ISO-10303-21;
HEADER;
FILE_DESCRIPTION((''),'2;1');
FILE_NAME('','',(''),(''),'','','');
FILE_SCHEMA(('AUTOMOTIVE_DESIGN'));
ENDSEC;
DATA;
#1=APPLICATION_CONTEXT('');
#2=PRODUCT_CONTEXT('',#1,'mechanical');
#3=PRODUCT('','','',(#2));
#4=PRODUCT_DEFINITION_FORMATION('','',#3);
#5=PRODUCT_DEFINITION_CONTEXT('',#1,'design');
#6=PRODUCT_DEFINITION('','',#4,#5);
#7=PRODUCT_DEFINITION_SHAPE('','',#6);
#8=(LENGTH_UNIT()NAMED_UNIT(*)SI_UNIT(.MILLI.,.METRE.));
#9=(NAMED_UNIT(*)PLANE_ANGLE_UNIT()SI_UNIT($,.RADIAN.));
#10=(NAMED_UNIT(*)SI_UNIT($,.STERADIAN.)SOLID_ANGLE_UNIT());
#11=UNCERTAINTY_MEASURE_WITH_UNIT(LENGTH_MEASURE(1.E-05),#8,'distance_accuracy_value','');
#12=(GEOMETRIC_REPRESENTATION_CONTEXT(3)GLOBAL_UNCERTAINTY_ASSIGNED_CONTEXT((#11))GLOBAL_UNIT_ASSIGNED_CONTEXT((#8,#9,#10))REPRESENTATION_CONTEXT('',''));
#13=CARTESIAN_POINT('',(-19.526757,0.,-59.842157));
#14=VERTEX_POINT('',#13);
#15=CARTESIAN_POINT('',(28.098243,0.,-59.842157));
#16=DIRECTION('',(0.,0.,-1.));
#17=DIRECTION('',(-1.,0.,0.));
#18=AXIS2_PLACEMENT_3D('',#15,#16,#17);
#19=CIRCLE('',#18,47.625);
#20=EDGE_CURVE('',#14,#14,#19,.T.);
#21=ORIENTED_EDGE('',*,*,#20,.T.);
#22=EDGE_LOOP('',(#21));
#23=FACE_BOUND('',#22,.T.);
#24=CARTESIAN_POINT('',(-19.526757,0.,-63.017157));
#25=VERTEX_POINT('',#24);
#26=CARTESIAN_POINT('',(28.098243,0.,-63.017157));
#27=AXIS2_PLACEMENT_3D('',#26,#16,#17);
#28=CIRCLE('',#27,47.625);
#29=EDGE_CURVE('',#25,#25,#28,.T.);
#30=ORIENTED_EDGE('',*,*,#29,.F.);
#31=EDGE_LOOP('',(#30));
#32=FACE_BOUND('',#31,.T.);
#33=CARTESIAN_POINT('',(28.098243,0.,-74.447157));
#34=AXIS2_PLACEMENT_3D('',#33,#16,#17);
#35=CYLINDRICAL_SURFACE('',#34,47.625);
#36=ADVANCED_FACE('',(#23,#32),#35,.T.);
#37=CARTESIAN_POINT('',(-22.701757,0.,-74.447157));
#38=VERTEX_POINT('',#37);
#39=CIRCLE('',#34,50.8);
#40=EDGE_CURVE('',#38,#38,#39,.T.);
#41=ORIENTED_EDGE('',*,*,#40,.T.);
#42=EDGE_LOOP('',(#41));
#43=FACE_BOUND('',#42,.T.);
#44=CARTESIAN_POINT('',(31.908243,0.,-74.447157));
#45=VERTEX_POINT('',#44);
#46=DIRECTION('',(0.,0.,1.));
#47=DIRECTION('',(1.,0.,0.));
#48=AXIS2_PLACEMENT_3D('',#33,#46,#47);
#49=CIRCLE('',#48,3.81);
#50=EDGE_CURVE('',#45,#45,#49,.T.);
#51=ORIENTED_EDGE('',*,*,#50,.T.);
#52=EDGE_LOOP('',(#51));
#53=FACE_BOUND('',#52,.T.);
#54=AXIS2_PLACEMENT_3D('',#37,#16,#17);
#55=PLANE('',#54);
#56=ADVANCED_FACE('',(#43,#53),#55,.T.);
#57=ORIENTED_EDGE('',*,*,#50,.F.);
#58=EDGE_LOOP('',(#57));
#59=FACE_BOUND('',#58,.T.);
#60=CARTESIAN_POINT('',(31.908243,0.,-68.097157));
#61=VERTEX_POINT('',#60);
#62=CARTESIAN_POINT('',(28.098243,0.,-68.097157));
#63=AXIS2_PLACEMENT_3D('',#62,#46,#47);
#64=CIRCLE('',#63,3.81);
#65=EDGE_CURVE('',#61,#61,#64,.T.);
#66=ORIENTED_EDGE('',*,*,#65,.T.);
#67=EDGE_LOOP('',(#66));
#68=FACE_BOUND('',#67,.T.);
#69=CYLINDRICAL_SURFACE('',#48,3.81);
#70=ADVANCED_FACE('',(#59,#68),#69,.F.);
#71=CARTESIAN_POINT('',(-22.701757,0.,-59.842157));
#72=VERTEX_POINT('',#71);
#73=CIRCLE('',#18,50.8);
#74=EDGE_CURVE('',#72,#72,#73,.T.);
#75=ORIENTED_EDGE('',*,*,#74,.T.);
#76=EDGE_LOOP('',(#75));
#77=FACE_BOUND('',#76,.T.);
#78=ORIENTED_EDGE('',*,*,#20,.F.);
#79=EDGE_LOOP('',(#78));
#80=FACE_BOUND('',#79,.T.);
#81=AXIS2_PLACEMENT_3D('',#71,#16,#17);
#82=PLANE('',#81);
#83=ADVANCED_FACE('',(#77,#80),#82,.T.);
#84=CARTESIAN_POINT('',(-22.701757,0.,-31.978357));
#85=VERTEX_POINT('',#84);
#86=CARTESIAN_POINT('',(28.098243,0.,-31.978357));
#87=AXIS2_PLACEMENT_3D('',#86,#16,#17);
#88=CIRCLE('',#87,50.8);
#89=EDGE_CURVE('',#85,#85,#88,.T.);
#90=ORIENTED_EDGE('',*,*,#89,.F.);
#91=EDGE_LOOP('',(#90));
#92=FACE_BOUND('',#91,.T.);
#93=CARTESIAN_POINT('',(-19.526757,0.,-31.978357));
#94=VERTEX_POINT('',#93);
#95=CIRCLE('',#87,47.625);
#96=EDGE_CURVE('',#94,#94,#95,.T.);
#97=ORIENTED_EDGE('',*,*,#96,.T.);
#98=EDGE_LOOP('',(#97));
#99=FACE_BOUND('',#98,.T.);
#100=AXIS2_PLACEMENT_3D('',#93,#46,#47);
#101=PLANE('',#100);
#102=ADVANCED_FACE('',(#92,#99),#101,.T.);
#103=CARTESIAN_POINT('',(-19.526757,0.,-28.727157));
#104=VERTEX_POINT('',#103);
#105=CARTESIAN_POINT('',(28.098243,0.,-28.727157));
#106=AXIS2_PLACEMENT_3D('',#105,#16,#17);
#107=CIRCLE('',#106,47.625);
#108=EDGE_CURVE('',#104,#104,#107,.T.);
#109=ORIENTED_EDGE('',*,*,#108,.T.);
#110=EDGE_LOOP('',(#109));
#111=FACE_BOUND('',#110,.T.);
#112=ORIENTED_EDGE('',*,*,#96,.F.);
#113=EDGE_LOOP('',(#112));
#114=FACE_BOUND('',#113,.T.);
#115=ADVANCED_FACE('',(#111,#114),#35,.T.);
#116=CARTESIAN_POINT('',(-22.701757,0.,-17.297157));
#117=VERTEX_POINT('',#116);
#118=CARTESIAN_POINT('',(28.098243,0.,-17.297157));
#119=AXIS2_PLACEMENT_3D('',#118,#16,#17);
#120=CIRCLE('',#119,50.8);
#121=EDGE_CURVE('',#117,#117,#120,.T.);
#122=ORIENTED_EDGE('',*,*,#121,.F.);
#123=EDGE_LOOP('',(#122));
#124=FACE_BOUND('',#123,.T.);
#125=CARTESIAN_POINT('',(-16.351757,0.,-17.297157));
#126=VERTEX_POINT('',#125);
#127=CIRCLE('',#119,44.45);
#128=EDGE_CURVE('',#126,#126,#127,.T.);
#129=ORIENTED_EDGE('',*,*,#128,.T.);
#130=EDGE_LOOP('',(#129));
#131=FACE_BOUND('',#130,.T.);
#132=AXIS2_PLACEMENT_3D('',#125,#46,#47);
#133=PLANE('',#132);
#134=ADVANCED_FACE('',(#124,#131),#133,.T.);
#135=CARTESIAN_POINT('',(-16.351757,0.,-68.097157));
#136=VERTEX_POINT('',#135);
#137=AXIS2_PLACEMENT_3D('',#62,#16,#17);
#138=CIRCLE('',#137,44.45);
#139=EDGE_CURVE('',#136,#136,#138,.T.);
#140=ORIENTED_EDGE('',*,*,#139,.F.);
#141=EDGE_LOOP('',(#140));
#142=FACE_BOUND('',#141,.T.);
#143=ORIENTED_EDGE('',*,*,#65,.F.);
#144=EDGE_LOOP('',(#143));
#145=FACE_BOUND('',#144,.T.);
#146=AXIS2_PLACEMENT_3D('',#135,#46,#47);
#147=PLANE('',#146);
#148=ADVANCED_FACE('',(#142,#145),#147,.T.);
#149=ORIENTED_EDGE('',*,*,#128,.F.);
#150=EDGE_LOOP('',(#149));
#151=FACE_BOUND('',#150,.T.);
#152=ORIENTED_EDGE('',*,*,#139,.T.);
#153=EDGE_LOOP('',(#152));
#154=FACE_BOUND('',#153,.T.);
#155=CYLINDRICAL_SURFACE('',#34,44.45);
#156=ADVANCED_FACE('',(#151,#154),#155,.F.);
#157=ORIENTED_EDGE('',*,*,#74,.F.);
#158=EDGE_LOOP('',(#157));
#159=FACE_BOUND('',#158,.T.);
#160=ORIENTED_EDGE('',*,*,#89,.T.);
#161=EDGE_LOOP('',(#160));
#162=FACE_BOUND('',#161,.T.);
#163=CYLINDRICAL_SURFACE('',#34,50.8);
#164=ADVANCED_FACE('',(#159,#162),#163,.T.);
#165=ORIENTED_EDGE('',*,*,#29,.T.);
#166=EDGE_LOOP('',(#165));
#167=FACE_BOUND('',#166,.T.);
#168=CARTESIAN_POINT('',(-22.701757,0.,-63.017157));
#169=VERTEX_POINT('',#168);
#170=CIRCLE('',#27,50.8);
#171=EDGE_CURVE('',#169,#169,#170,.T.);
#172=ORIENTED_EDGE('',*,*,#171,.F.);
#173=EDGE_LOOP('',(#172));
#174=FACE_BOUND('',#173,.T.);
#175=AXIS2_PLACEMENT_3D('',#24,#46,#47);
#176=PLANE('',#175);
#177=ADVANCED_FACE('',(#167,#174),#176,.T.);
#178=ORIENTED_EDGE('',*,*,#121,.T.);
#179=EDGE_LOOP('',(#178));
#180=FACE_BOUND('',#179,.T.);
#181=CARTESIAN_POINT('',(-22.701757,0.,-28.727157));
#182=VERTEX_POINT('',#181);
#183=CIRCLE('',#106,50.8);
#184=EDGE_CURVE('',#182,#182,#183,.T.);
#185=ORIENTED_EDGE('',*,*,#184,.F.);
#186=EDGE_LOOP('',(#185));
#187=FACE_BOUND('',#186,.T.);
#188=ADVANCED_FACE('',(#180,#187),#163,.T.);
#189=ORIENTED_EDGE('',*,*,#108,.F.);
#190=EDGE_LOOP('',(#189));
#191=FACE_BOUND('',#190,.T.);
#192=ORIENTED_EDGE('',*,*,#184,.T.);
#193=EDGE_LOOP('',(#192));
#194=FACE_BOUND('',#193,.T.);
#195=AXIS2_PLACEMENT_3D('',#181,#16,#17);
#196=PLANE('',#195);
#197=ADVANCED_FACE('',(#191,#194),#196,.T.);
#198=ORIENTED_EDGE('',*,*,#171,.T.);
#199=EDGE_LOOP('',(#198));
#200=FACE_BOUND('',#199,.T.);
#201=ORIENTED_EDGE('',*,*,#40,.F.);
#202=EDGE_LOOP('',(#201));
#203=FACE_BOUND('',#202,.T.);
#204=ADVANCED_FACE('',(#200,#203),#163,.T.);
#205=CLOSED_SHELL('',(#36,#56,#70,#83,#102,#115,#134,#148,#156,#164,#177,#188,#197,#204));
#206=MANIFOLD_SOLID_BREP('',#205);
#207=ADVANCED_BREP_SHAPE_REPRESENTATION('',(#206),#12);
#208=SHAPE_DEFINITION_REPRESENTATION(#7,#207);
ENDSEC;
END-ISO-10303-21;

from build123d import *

# Parameters (mm, degrees)
SKETCH3_R          = 3.81
CUT_EXTRUDE1_DEPTH = 107.706198127


with BuildPart() as part:
    # Sketch2 → Revolve1 (revolve)
    with BuildSketch(Plane(origin=(0, 0, 0), x_dir=(1, 0, 0), z_dir=(0, 1, 0))):
        Polygon((-16.351757188, 17.29715655), (-22.701757188, 17.29715655), (-22.701757188, 28.72715655), (-19.526757188, 28.72715655), (-19.526757188, 31.97835655), (-22.701757188, 31.97835655), (-22.701757188, 59.84215655), (-19.526757188, 59.84215655), (-19.526757188, 63.01715655), (-22.701757188, 63.01715655), (-22.701757188, 74.44715655), (28.098242812, 74.44715655), (28.098242812, 68.09715655), (-16.351757188, 68.09715655), align=None)
    revolve(axis=Axis((28.098242812, 0, -74.44715655), (0, 0, 1)))

    # Sketch3 → Cut-Extrude1 (cut, through all)
    with BuildSketch(Plane.XY.offset(-68.09715655)):
        with Locations((28.098242812, 0)):
            Circle(SKETCH3_R)
    extrude(amount=-CUT_EXTRUDE1_DEPTH, mode=Mode.SUBTRACT)


solid = part.part
